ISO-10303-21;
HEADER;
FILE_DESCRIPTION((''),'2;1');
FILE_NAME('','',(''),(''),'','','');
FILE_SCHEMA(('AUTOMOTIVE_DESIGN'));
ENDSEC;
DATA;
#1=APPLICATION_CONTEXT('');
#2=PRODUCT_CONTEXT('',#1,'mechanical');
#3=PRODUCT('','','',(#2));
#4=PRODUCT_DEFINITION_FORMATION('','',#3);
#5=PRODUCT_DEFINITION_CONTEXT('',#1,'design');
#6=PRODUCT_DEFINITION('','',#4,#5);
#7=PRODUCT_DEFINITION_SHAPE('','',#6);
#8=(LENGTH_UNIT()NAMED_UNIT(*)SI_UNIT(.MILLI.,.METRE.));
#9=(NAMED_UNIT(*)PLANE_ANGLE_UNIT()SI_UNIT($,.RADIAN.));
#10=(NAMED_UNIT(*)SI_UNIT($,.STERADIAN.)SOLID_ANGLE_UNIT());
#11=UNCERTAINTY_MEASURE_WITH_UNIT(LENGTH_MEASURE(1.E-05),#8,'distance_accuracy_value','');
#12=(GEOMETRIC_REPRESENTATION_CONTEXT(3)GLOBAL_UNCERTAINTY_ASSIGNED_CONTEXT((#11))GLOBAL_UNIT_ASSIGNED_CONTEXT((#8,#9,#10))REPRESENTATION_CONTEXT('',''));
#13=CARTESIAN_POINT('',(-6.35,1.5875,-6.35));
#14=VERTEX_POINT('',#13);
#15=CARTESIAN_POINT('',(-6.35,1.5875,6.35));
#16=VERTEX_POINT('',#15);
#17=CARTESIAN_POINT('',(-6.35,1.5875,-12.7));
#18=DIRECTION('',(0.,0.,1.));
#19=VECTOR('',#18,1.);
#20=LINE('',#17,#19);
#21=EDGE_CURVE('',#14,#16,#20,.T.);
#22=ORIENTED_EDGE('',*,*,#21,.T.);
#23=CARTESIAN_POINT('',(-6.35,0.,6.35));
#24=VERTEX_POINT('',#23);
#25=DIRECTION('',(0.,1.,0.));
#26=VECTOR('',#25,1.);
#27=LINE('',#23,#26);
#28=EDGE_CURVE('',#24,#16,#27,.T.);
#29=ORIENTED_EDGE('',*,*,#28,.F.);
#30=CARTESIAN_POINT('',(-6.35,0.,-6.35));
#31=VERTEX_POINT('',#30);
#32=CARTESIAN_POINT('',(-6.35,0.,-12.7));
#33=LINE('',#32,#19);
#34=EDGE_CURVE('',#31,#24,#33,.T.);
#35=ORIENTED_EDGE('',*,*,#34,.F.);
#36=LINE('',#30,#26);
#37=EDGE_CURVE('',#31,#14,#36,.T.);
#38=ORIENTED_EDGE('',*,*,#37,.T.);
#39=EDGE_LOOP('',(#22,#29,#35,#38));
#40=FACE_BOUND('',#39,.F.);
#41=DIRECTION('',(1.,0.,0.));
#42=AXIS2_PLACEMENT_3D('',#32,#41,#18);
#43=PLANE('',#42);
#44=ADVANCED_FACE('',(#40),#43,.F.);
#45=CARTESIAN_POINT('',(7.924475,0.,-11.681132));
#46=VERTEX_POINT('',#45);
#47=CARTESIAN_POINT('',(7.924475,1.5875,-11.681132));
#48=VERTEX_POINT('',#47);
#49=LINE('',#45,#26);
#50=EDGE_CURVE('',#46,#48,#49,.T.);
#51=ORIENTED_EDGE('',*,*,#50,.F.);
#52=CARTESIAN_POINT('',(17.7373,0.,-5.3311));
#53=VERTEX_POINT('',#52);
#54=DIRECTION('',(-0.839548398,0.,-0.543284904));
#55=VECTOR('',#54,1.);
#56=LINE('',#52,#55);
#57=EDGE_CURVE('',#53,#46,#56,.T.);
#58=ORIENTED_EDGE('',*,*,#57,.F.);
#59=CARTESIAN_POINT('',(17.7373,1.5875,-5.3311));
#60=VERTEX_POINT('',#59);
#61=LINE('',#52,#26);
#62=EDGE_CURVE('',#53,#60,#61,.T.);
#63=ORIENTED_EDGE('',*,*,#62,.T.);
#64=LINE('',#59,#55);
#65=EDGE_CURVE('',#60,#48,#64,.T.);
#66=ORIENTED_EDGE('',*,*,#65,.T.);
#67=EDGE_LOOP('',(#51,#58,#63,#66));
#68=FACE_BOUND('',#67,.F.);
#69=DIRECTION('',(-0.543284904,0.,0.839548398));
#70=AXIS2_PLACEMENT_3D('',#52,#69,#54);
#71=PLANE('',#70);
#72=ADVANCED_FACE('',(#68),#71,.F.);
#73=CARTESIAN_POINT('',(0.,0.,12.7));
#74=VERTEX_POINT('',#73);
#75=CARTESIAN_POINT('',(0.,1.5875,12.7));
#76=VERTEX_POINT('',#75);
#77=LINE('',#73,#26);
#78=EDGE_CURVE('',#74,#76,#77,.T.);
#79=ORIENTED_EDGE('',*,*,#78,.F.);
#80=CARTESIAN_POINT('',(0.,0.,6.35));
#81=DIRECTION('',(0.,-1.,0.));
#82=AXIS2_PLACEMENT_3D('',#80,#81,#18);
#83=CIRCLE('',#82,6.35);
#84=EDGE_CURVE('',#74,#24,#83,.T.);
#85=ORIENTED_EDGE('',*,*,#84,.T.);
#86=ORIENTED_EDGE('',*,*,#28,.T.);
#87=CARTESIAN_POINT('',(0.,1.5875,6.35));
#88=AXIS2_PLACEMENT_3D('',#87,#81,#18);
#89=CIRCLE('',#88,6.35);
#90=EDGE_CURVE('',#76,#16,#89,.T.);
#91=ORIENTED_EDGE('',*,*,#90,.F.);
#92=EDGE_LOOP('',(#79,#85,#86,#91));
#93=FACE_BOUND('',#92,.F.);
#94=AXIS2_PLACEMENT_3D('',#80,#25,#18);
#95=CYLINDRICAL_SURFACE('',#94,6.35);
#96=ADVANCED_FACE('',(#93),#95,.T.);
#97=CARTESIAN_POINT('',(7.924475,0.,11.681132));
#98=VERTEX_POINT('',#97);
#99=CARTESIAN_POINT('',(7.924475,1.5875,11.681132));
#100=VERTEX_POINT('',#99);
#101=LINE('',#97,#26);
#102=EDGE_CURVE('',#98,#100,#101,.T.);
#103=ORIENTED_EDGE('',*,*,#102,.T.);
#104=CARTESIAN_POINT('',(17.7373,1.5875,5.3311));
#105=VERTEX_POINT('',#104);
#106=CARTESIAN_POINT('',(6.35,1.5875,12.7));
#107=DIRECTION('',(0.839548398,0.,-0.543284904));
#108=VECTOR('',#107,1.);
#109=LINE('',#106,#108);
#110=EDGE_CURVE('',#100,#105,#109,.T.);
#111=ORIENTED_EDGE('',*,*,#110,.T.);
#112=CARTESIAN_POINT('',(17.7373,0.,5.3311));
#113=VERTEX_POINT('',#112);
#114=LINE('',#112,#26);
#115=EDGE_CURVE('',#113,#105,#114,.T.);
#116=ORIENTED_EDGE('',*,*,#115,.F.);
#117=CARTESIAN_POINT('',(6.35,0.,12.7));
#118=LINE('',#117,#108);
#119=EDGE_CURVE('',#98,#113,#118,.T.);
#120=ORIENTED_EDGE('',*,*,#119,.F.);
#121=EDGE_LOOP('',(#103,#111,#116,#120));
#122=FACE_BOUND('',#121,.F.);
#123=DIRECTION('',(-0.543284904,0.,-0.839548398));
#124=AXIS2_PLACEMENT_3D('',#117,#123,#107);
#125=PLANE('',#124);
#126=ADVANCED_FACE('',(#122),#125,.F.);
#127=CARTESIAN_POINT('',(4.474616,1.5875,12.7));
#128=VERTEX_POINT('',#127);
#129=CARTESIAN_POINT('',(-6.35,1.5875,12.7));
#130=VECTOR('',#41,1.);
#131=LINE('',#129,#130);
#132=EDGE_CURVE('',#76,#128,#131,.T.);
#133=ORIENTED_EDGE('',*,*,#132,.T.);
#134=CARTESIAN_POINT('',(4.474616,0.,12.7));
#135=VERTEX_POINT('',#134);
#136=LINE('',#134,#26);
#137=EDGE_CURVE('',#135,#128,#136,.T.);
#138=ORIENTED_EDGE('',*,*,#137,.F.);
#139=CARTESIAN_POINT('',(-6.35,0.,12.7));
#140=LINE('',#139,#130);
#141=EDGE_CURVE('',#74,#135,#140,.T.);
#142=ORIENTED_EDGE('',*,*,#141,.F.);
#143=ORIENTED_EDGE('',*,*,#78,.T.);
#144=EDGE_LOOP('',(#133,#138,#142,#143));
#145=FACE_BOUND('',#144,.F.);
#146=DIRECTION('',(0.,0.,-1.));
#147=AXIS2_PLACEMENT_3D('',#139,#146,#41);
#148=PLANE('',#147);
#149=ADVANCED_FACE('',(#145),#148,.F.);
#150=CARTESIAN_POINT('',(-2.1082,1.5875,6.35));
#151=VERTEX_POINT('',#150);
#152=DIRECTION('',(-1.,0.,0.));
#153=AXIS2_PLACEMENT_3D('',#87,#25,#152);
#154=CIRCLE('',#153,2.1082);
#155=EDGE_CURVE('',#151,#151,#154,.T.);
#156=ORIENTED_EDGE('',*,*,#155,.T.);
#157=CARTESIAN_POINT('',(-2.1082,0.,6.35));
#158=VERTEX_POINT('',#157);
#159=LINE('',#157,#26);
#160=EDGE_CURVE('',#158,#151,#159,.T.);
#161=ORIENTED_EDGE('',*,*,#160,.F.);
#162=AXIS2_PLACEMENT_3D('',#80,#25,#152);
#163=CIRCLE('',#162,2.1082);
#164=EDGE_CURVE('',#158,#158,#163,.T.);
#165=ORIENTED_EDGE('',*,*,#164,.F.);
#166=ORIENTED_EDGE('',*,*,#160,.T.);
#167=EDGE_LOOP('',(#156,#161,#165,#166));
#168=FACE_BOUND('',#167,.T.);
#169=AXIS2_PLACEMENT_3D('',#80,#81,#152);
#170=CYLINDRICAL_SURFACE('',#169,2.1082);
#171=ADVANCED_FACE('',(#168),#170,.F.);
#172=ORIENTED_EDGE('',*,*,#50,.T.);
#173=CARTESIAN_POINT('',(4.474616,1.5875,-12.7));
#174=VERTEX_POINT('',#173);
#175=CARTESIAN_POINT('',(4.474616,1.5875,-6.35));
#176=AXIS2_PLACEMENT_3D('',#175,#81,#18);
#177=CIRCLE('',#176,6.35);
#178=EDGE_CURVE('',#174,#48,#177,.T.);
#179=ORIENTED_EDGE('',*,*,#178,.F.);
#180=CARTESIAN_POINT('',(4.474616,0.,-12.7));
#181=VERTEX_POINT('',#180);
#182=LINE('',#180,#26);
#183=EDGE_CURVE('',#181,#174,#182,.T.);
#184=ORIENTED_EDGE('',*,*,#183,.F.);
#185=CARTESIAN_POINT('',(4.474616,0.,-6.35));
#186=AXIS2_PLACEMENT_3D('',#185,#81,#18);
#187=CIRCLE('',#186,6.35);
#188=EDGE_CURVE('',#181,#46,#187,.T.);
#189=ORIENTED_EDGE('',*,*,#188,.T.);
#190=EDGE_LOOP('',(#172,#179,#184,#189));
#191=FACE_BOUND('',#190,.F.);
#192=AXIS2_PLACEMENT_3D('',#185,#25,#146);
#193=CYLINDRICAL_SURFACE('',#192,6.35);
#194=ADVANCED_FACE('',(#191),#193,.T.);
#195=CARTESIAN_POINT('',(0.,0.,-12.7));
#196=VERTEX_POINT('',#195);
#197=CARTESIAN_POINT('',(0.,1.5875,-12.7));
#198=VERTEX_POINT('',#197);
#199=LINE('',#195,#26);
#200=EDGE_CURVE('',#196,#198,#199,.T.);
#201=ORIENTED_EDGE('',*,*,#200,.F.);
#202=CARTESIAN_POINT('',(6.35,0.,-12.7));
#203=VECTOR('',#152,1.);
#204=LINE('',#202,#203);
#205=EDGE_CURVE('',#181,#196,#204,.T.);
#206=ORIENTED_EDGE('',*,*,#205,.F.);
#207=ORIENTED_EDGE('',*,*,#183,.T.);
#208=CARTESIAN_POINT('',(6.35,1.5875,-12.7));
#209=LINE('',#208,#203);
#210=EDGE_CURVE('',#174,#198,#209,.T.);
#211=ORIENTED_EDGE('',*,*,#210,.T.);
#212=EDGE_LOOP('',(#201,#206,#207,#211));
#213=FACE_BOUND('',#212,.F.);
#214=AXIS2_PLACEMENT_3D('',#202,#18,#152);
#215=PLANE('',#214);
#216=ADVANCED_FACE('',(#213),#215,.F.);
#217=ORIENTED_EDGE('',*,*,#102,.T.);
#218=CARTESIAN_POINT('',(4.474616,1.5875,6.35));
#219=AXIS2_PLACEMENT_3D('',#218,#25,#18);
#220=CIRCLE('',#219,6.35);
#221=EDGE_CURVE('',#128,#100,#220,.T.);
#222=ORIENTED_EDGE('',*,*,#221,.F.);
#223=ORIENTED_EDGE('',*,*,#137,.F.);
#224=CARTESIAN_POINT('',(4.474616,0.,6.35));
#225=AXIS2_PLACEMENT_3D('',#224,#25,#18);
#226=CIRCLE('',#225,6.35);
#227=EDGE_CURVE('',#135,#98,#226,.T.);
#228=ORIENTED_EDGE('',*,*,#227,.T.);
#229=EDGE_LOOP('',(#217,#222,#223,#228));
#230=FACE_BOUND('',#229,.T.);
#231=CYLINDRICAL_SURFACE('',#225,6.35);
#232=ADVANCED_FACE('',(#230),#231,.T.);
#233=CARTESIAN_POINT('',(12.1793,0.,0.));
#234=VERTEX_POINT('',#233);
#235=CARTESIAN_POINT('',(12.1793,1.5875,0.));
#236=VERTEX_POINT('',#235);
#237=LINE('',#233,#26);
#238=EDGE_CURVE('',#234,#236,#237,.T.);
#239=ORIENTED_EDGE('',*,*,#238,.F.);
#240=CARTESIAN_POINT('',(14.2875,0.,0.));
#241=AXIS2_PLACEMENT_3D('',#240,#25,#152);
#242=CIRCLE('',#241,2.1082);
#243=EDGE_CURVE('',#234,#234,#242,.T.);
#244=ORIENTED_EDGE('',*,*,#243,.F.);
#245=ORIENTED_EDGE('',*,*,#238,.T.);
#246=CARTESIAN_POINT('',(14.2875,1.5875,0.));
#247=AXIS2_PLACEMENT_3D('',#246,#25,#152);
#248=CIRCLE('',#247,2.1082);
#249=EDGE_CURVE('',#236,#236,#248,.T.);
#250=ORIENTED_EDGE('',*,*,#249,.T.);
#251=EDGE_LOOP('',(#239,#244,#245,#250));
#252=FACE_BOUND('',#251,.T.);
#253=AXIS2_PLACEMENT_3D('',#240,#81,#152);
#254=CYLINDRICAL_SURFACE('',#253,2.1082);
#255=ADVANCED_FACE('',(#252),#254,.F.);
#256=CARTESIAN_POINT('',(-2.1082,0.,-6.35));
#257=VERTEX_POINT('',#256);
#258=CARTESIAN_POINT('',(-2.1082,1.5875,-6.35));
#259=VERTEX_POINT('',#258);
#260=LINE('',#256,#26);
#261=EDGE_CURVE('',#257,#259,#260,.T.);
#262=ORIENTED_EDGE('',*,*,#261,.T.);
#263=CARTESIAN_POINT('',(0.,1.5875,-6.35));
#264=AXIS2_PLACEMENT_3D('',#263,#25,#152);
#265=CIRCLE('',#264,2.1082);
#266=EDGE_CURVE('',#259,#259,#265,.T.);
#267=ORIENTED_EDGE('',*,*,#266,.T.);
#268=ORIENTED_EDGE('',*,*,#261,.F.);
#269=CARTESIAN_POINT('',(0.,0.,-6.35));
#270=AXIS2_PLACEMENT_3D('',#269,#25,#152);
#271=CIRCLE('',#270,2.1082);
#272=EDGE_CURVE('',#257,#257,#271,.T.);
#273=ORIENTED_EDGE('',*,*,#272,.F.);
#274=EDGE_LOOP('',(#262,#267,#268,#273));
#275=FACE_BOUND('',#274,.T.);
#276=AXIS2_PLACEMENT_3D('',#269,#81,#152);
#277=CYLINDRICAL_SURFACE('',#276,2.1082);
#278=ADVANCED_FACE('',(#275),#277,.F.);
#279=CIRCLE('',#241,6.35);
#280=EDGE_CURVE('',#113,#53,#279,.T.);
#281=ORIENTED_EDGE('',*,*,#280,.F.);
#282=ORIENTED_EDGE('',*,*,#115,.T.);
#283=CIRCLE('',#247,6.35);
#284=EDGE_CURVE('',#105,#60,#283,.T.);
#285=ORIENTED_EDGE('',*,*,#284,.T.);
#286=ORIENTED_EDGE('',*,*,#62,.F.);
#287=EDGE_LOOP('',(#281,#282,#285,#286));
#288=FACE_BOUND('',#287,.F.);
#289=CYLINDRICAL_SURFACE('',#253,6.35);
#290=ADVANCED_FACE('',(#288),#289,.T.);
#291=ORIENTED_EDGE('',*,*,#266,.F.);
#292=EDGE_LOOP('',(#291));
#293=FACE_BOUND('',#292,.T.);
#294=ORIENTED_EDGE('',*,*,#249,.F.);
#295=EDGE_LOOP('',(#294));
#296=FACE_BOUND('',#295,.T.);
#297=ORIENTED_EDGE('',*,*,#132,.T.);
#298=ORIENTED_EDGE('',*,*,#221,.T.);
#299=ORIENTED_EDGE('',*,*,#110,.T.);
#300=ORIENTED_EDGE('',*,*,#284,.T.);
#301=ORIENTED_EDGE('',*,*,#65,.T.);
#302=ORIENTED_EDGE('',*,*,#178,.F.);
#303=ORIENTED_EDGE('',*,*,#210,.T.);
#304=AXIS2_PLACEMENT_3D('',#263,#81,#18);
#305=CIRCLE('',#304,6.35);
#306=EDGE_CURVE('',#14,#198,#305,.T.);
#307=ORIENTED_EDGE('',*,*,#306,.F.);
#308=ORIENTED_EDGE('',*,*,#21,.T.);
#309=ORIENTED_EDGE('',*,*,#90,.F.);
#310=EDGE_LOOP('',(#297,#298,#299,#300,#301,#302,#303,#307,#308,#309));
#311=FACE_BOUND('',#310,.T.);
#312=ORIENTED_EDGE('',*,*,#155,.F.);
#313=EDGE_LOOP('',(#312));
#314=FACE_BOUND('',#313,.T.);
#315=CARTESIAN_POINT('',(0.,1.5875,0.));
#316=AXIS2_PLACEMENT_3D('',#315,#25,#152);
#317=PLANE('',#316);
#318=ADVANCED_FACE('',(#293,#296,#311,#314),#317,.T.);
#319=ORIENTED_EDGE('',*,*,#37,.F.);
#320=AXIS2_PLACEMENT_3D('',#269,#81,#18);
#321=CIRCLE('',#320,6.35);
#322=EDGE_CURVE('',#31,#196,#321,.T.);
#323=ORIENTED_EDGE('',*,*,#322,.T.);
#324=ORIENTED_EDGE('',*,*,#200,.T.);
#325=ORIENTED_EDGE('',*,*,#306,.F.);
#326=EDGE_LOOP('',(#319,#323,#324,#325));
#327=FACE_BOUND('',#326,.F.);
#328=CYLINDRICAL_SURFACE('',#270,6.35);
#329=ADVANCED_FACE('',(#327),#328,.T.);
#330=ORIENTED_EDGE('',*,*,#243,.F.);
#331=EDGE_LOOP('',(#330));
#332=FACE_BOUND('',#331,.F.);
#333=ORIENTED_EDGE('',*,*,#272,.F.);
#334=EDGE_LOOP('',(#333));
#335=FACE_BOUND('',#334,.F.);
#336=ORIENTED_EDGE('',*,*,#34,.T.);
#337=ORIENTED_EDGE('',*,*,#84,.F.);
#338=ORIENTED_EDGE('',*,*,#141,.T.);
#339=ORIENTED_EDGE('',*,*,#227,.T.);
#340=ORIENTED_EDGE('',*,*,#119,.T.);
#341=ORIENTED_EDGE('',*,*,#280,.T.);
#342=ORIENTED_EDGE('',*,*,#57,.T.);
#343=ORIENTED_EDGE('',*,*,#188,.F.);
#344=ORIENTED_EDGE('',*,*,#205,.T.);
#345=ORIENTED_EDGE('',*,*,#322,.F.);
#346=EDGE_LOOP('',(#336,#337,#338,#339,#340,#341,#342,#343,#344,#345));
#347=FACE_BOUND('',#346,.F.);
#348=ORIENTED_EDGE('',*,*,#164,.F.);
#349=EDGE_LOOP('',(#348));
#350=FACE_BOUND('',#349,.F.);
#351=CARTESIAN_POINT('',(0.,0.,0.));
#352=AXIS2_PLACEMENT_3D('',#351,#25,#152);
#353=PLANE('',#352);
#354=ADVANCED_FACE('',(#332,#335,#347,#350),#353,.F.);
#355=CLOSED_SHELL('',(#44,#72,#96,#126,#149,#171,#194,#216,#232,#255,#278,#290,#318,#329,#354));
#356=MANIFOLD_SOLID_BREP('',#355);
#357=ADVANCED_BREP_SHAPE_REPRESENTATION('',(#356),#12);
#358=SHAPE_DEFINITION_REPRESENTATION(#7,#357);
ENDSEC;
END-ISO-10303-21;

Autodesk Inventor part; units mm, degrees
ref_plane "YZ Plane" through (0, 0, 0) normal (1, 0, 0) x (0, 1, 0)
ref_plane "XZ Plane" through (0, 0, 0) normal (0, 1, 0) x (-1, 0, 0)
ref_plane "XY Plane" through (0, 0, 0) normal (0, 0, 1) x (1, 0, 0)
sketch "Sketch1" plane through (0, 0, 0) normal (0, 1, 0) x (-1, 0, 0)
  line L0 (-6.35, -12.7) -> (6.35, -12.7)
  line L1 (6.35, -12.7) -> (6.35, 12.7)
  line L2 (6.35, 12.7) -> (-6.35, 12.7)
  line L3 (-6.35, 12.7) -> (-6.35, -12.7)
  line L4 (-6.35, -12.7) -> (6.35, 12.7) construction
  line L5 (6.35, -12.7) -> (-6.35, 12.7) construction
  circle A0 centre (0, 6.35) radius 2.1082
  circle A1 centre (0, -6.35) radius 2.1082
  circle A2 centre (-14.2875, 0) radius 2.1082
  circle A3 centre (-14.2875, 0) radius 6.35
  line L6 (-6.35, 12.7) -> (-17.7373, 5.3311)
  line L7 (-17.7373, -5.3311) -> (-6.35, -12.7)
  point P0 (0, 0)
  dimension "d0" = 25.4
  dimension "d1" = 12.7
  dimension "d2" = 4.2164
  dimension "d3" = 4.2164
  dimension "d4" = 6.35
  dimension "d5" = 6.35
  dimension "d6" = 6.35
  dimension "d7" = 4.2164
  dimension "d8" = 7.9375
  dimension "d9" = 12.7
extrude "Extrusion1" add sketch "Sketch1" along normal blind 1.5875
fillet "Fillet1" radius 6.35 4 edges at (6.35, 0.7937, 12.7) (-6.35, 0.7937, 12.7) (6.35, 0.7937, -12.7) (-6.35, 0.7937, -12.7)
properties part number "742 2.1 Gusset A"
